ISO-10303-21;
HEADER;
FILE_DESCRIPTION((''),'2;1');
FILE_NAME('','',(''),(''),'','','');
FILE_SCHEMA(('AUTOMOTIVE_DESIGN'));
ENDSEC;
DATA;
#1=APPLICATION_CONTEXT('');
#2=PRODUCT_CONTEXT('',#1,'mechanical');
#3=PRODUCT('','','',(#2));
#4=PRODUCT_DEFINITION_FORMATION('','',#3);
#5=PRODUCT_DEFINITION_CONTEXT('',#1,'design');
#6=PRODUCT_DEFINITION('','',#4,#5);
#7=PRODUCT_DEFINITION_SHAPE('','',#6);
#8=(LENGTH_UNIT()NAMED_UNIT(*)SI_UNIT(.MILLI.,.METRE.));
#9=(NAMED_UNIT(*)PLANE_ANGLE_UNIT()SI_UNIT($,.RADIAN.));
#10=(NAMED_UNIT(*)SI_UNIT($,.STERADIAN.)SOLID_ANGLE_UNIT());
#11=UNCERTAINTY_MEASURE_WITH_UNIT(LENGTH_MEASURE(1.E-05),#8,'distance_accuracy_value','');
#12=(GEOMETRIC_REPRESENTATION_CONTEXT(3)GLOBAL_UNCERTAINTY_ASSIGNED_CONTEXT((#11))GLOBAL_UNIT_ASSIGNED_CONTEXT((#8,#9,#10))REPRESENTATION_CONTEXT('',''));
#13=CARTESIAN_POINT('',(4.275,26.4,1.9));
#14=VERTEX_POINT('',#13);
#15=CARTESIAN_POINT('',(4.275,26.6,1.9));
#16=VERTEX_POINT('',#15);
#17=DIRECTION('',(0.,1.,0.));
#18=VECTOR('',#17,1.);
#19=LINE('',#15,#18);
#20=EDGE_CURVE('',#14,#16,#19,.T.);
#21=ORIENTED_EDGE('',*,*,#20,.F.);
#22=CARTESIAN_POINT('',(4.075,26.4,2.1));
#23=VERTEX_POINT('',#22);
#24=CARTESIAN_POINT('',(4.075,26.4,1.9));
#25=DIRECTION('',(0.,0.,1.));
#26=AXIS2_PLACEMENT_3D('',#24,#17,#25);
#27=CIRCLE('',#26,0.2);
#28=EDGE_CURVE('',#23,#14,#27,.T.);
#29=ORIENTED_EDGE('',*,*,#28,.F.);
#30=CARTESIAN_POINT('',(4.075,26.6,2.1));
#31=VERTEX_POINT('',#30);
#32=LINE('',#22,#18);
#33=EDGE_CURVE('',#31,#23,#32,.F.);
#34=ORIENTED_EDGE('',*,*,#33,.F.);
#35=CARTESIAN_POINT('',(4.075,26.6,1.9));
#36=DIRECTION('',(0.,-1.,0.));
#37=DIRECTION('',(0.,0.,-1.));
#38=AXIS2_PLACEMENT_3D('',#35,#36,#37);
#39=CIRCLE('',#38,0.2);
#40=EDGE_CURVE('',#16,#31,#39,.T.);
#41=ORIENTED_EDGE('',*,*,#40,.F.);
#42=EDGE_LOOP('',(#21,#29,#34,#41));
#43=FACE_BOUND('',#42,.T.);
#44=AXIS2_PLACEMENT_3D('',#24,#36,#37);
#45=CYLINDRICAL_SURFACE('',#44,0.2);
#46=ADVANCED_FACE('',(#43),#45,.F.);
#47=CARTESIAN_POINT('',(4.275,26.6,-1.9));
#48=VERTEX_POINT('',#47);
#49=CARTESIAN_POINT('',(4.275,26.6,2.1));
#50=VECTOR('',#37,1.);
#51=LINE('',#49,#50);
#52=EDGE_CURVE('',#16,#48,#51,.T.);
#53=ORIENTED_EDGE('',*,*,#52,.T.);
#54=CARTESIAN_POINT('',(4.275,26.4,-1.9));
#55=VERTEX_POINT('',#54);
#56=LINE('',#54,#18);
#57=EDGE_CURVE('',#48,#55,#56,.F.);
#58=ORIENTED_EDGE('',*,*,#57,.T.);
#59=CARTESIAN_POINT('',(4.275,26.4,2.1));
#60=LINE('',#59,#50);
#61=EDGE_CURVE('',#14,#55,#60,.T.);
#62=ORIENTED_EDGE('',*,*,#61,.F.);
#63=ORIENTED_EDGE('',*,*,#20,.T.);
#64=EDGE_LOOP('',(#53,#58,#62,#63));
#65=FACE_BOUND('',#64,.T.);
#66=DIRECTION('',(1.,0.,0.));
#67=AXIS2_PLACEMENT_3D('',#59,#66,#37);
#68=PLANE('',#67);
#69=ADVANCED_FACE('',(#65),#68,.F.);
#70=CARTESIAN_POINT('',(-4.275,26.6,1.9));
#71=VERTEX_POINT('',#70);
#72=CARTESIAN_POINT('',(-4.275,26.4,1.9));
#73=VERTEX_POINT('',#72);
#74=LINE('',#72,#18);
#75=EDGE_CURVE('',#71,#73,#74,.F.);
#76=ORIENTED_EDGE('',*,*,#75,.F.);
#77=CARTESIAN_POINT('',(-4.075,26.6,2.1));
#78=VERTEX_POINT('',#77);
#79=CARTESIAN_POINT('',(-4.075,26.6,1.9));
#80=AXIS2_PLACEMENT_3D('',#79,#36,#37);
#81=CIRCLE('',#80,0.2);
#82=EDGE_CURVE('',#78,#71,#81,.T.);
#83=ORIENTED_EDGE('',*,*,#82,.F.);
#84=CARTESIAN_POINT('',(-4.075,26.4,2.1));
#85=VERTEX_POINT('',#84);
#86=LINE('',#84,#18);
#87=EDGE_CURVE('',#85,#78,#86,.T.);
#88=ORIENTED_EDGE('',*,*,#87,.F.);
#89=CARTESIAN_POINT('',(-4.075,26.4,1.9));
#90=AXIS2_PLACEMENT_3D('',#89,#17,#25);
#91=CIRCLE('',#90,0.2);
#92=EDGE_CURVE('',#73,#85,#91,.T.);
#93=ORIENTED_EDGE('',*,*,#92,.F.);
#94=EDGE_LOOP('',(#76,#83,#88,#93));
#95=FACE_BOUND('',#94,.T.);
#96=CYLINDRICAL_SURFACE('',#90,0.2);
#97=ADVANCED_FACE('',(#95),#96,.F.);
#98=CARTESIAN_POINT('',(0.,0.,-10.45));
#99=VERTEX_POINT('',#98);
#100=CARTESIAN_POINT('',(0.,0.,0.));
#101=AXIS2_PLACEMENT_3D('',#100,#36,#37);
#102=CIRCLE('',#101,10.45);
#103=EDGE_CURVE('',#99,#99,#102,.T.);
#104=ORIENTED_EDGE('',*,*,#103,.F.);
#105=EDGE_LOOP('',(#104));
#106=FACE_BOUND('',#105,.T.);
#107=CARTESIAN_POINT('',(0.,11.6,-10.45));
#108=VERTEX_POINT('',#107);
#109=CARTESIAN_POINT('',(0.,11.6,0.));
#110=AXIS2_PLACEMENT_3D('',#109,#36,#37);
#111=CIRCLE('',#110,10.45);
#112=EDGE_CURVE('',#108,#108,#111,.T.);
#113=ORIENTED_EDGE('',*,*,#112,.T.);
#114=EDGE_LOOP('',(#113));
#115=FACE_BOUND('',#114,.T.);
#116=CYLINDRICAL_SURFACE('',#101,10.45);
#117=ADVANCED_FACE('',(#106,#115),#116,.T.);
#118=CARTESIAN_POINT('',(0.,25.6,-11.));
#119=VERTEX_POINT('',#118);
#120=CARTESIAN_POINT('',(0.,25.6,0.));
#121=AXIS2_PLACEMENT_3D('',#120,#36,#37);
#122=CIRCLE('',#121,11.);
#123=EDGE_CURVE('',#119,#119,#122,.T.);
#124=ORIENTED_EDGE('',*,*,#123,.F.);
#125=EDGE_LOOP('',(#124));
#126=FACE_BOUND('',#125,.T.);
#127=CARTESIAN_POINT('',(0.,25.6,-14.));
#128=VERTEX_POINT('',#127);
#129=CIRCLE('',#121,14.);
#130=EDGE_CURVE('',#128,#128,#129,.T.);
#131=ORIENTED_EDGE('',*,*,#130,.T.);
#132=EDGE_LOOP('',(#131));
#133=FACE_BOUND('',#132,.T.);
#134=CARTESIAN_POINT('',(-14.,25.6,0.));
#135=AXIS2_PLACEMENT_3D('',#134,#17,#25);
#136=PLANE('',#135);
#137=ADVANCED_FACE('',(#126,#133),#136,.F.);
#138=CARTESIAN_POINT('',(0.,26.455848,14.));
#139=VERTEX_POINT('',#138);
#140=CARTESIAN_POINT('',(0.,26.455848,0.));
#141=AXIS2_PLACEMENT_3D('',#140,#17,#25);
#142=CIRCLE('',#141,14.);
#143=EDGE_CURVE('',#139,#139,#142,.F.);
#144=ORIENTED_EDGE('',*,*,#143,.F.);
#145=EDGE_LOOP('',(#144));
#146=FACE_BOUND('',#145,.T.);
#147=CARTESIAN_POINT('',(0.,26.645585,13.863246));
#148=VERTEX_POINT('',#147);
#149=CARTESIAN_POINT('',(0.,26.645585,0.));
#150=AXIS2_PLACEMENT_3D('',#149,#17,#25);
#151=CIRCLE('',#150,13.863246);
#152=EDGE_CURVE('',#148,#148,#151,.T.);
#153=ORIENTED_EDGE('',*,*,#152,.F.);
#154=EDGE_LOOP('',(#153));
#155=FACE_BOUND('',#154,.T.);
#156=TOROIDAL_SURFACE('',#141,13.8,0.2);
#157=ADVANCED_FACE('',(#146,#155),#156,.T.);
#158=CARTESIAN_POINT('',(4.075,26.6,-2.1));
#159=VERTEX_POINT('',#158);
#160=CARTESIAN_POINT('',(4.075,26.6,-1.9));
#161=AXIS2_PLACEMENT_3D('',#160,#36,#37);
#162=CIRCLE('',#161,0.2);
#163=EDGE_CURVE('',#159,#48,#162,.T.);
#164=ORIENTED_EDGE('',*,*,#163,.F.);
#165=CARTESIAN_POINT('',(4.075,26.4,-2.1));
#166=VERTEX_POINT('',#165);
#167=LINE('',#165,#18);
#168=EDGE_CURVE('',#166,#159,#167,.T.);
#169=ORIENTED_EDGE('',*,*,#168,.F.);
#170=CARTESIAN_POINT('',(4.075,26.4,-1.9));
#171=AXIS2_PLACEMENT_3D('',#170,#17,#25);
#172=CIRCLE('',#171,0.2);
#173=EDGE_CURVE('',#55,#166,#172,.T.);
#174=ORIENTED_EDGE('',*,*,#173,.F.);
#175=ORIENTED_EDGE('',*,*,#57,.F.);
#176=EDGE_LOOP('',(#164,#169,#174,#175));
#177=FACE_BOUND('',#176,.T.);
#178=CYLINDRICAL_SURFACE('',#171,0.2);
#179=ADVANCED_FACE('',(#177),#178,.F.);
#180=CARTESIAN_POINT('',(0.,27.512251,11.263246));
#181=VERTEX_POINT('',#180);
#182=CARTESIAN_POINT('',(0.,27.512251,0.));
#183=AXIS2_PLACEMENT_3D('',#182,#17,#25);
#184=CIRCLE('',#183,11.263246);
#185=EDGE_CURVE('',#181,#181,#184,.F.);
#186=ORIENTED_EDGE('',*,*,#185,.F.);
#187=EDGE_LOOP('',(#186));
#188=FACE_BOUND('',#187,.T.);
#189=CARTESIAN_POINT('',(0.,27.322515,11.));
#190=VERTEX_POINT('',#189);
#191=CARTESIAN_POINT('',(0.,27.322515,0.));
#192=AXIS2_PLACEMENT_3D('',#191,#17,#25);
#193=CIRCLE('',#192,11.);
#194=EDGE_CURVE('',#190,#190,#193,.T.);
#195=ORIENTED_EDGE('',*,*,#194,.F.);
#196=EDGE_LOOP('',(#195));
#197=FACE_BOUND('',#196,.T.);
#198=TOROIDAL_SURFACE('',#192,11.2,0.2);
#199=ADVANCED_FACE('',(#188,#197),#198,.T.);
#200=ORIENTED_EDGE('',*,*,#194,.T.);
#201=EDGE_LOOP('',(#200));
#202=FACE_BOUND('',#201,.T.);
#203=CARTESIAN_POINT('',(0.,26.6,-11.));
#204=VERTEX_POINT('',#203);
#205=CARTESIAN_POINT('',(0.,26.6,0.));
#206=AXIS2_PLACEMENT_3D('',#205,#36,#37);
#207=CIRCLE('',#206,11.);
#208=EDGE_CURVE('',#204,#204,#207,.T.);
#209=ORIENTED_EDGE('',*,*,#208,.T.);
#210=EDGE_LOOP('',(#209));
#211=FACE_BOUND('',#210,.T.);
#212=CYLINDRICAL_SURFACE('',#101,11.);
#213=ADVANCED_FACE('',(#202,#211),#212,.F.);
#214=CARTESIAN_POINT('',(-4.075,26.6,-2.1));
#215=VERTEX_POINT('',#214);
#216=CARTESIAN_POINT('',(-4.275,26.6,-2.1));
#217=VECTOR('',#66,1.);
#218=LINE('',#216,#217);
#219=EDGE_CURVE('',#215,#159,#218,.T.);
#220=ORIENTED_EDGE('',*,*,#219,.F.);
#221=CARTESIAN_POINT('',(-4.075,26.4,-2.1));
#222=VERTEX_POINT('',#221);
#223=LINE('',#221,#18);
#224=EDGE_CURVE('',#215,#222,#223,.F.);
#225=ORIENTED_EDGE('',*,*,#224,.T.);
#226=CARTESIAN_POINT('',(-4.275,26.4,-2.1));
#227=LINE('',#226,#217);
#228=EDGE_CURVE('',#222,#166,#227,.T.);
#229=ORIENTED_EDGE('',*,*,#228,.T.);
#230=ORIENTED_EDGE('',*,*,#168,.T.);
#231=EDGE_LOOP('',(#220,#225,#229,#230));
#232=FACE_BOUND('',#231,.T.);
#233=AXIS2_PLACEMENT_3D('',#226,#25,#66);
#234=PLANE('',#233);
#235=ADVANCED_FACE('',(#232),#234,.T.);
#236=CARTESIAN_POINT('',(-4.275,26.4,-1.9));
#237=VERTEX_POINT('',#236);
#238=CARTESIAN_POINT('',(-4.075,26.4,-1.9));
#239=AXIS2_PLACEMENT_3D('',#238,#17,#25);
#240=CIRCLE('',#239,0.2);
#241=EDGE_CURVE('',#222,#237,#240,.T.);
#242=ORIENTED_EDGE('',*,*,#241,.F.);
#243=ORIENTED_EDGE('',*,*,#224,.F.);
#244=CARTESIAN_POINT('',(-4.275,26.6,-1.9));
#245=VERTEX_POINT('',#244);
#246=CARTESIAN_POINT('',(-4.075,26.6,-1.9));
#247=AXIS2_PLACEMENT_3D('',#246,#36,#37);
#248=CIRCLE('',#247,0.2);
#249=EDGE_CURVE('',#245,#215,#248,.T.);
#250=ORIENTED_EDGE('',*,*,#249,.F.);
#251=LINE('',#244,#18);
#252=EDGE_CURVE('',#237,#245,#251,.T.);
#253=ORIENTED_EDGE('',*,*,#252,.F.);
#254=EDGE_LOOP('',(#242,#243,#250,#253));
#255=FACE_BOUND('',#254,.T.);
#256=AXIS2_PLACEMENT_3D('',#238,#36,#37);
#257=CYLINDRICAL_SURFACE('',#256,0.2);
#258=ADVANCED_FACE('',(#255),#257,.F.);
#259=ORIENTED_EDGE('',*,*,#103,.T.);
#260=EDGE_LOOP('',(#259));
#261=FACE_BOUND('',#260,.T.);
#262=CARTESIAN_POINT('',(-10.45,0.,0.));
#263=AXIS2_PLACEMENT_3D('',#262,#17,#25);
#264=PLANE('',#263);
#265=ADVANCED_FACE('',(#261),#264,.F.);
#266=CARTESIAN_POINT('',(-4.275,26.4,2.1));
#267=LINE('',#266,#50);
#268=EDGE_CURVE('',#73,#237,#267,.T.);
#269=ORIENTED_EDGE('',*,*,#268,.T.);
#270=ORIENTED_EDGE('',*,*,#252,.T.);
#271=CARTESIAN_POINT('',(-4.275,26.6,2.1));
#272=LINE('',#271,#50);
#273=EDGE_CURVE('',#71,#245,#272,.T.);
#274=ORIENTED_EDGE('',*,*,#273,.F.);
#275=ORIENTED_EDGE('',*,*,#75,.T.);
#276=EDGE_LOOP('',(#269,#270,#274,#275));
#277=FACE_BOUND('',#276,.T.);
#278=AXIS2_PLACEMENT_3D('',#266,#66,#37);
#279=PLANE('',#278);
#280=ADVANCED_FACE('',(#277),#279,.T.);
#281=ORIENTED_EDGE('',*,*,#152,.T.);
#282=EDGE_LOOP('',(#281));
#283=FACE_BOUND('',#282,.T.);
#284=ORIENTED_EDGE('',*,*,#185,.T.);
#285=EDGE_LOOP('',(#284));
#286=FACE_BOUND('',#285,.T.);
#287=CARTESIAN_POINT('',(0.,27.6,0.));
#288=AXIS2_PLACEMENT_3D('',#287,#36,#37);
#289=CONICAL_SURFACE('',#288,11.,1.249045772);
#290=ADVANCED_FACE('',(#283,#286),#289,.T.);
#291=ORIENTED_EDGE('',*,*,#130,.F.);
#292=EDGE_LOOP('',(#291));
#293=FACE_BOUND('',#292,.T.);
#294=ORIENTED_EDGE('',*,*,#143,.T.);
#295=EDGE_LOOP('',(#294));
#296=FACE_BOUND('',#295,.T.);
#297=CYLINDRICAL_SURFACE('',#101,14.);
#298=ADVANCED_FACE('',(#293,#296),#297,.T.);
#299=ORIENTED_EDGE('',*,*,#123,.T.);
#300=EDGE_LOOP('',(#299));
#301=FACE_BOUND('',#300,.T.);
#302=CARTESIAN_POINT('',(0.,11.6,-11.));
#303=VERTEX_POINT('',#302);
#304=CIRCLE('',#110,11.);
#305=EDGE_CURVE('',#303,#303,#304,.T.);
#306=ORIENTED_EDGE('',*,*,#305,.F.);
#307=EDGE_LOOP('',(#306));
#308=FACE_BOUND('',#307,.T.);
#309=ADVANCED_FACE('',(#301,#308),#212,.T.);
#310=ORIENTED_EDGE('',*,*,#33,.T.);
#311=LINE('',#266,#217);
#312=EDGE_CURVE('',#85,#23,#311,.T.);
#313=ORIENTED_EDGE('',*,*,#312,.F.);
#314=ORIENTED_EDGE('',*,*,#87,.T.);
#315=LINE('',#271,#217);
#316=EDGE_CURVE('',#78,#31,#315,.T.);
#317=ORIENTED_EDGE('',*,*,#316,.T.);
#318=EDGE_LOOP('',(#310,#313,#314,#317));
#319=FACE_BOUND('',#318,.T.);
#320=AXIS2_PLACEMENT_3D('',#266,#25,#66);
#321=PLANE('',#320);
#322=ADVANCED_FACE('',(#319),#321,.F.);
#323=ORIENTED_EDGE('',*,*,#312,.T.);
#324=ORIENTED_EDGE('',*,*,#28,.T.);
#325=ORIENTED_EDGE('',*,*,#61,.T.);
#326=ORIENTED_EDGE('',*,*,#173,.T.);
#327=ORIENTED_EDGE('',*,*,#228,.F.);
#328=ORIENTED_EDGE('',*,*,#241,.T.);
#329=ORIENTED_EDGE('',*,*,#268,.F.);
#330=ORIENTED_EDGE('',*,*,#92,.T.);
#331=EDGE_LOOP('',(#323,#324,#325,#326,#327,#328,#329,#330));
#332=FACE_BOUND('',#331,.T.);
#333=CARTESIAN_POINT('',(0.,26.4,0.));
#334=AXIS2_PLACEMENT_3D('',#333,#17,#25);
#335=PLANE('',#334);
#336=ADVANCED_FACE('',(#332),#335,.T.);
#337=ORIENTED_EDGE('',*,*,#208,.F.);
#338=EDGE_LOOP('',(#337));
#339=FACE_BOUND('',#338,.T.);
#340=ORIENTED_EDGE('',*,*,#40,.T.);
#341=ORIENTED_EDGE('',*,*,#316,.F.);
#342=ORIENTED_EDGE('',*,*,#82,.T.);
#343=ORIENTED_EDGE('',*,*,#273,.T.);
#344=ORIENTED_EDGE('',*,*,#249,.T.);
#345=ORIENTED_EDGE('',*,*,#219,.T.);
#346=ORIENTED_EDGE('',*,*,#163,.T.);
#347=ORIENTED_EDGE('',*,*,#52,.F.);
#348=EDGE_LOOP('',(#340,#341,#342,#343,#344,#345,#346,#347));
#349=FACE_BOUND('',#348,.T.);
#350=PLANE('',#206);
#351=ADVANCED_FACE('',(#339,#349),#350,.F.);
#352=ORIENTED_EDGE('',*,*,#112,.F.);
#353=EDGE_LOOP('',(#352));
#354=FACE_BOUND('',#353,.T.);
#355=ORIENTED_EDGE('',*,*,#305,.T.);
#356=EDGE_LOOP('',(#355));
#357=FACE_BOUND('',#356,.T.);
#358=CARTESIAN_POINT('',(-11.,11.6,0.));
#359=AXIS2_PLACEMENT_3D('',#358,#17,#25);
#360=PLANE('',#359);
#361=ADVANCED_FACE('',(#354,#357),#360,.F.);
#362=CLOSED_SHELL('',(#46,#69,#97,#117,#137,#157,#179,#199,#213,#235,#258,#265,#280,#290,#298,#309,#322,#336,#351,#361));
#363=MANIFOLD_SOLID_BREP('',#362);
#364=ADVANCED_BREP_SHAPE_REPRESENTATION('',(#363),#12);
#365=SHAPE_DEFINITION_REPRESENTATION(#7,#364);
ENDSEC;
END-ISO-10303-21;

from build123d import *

# Parameters (mm, degrees)
FILLET1_R          = 0.2
SKETCH2_W          = 8.55
SKETCH2_H          = 4.2
CUT_EXTRUDE1_DEPTH = 0.2
FILLET2_R          = 0.2


with BuildPart() as part:
    # Sketch1 → Revolve1 (revolve)
    with BuildSketch(Plane.XY):
        Polygon((-11, 27.6), (-14, 26.6), (-14, 25.6), (-11, 25.6), (-11, 11.6), (-10.45, 11.6), (-10.45, 0), (0, 0), (0, 26.6), (-11, 26.6), align=None)
    revolve(axis=Axis((0, 0, 0), (0, 1, 0)))

    # Fillet1
    fillet1_edges = [part.edges().sort_by_distance(p)[0] for p in [
        (11, 27.6, 0),
        (14, 26.6, 0),
    ]]
    fillet(fillet1_edges, radius=FILLET1_R)

    # Sketch2 → Cut-Extrude1 (cut)
    with BuildSketch(Plane(origin=(0, 26.6, 0), x_dir=(1, 0, 0), z_dir=(0, 1, 0))):
        Rectangle(SKETCH2_W, SKETCH2_H)
    extrude(amount=-CUT_EXTRUDE1_DEPTH, mode=Mode.SUBTRACT)

    # Fillet2
    fillet2_edges = [part.edges().sort_by_distance(p)[0] for p in [
        (4.275, 26.5, 2.1),
        (-4.275, 26.5, 2.1),
        (-4.275, 26.5, -2.1),
        (4.275, 26.5, -2.1),
    ]]
    fillet(fillet2_edges, radius=FILLET2_R)


solid = part.part
